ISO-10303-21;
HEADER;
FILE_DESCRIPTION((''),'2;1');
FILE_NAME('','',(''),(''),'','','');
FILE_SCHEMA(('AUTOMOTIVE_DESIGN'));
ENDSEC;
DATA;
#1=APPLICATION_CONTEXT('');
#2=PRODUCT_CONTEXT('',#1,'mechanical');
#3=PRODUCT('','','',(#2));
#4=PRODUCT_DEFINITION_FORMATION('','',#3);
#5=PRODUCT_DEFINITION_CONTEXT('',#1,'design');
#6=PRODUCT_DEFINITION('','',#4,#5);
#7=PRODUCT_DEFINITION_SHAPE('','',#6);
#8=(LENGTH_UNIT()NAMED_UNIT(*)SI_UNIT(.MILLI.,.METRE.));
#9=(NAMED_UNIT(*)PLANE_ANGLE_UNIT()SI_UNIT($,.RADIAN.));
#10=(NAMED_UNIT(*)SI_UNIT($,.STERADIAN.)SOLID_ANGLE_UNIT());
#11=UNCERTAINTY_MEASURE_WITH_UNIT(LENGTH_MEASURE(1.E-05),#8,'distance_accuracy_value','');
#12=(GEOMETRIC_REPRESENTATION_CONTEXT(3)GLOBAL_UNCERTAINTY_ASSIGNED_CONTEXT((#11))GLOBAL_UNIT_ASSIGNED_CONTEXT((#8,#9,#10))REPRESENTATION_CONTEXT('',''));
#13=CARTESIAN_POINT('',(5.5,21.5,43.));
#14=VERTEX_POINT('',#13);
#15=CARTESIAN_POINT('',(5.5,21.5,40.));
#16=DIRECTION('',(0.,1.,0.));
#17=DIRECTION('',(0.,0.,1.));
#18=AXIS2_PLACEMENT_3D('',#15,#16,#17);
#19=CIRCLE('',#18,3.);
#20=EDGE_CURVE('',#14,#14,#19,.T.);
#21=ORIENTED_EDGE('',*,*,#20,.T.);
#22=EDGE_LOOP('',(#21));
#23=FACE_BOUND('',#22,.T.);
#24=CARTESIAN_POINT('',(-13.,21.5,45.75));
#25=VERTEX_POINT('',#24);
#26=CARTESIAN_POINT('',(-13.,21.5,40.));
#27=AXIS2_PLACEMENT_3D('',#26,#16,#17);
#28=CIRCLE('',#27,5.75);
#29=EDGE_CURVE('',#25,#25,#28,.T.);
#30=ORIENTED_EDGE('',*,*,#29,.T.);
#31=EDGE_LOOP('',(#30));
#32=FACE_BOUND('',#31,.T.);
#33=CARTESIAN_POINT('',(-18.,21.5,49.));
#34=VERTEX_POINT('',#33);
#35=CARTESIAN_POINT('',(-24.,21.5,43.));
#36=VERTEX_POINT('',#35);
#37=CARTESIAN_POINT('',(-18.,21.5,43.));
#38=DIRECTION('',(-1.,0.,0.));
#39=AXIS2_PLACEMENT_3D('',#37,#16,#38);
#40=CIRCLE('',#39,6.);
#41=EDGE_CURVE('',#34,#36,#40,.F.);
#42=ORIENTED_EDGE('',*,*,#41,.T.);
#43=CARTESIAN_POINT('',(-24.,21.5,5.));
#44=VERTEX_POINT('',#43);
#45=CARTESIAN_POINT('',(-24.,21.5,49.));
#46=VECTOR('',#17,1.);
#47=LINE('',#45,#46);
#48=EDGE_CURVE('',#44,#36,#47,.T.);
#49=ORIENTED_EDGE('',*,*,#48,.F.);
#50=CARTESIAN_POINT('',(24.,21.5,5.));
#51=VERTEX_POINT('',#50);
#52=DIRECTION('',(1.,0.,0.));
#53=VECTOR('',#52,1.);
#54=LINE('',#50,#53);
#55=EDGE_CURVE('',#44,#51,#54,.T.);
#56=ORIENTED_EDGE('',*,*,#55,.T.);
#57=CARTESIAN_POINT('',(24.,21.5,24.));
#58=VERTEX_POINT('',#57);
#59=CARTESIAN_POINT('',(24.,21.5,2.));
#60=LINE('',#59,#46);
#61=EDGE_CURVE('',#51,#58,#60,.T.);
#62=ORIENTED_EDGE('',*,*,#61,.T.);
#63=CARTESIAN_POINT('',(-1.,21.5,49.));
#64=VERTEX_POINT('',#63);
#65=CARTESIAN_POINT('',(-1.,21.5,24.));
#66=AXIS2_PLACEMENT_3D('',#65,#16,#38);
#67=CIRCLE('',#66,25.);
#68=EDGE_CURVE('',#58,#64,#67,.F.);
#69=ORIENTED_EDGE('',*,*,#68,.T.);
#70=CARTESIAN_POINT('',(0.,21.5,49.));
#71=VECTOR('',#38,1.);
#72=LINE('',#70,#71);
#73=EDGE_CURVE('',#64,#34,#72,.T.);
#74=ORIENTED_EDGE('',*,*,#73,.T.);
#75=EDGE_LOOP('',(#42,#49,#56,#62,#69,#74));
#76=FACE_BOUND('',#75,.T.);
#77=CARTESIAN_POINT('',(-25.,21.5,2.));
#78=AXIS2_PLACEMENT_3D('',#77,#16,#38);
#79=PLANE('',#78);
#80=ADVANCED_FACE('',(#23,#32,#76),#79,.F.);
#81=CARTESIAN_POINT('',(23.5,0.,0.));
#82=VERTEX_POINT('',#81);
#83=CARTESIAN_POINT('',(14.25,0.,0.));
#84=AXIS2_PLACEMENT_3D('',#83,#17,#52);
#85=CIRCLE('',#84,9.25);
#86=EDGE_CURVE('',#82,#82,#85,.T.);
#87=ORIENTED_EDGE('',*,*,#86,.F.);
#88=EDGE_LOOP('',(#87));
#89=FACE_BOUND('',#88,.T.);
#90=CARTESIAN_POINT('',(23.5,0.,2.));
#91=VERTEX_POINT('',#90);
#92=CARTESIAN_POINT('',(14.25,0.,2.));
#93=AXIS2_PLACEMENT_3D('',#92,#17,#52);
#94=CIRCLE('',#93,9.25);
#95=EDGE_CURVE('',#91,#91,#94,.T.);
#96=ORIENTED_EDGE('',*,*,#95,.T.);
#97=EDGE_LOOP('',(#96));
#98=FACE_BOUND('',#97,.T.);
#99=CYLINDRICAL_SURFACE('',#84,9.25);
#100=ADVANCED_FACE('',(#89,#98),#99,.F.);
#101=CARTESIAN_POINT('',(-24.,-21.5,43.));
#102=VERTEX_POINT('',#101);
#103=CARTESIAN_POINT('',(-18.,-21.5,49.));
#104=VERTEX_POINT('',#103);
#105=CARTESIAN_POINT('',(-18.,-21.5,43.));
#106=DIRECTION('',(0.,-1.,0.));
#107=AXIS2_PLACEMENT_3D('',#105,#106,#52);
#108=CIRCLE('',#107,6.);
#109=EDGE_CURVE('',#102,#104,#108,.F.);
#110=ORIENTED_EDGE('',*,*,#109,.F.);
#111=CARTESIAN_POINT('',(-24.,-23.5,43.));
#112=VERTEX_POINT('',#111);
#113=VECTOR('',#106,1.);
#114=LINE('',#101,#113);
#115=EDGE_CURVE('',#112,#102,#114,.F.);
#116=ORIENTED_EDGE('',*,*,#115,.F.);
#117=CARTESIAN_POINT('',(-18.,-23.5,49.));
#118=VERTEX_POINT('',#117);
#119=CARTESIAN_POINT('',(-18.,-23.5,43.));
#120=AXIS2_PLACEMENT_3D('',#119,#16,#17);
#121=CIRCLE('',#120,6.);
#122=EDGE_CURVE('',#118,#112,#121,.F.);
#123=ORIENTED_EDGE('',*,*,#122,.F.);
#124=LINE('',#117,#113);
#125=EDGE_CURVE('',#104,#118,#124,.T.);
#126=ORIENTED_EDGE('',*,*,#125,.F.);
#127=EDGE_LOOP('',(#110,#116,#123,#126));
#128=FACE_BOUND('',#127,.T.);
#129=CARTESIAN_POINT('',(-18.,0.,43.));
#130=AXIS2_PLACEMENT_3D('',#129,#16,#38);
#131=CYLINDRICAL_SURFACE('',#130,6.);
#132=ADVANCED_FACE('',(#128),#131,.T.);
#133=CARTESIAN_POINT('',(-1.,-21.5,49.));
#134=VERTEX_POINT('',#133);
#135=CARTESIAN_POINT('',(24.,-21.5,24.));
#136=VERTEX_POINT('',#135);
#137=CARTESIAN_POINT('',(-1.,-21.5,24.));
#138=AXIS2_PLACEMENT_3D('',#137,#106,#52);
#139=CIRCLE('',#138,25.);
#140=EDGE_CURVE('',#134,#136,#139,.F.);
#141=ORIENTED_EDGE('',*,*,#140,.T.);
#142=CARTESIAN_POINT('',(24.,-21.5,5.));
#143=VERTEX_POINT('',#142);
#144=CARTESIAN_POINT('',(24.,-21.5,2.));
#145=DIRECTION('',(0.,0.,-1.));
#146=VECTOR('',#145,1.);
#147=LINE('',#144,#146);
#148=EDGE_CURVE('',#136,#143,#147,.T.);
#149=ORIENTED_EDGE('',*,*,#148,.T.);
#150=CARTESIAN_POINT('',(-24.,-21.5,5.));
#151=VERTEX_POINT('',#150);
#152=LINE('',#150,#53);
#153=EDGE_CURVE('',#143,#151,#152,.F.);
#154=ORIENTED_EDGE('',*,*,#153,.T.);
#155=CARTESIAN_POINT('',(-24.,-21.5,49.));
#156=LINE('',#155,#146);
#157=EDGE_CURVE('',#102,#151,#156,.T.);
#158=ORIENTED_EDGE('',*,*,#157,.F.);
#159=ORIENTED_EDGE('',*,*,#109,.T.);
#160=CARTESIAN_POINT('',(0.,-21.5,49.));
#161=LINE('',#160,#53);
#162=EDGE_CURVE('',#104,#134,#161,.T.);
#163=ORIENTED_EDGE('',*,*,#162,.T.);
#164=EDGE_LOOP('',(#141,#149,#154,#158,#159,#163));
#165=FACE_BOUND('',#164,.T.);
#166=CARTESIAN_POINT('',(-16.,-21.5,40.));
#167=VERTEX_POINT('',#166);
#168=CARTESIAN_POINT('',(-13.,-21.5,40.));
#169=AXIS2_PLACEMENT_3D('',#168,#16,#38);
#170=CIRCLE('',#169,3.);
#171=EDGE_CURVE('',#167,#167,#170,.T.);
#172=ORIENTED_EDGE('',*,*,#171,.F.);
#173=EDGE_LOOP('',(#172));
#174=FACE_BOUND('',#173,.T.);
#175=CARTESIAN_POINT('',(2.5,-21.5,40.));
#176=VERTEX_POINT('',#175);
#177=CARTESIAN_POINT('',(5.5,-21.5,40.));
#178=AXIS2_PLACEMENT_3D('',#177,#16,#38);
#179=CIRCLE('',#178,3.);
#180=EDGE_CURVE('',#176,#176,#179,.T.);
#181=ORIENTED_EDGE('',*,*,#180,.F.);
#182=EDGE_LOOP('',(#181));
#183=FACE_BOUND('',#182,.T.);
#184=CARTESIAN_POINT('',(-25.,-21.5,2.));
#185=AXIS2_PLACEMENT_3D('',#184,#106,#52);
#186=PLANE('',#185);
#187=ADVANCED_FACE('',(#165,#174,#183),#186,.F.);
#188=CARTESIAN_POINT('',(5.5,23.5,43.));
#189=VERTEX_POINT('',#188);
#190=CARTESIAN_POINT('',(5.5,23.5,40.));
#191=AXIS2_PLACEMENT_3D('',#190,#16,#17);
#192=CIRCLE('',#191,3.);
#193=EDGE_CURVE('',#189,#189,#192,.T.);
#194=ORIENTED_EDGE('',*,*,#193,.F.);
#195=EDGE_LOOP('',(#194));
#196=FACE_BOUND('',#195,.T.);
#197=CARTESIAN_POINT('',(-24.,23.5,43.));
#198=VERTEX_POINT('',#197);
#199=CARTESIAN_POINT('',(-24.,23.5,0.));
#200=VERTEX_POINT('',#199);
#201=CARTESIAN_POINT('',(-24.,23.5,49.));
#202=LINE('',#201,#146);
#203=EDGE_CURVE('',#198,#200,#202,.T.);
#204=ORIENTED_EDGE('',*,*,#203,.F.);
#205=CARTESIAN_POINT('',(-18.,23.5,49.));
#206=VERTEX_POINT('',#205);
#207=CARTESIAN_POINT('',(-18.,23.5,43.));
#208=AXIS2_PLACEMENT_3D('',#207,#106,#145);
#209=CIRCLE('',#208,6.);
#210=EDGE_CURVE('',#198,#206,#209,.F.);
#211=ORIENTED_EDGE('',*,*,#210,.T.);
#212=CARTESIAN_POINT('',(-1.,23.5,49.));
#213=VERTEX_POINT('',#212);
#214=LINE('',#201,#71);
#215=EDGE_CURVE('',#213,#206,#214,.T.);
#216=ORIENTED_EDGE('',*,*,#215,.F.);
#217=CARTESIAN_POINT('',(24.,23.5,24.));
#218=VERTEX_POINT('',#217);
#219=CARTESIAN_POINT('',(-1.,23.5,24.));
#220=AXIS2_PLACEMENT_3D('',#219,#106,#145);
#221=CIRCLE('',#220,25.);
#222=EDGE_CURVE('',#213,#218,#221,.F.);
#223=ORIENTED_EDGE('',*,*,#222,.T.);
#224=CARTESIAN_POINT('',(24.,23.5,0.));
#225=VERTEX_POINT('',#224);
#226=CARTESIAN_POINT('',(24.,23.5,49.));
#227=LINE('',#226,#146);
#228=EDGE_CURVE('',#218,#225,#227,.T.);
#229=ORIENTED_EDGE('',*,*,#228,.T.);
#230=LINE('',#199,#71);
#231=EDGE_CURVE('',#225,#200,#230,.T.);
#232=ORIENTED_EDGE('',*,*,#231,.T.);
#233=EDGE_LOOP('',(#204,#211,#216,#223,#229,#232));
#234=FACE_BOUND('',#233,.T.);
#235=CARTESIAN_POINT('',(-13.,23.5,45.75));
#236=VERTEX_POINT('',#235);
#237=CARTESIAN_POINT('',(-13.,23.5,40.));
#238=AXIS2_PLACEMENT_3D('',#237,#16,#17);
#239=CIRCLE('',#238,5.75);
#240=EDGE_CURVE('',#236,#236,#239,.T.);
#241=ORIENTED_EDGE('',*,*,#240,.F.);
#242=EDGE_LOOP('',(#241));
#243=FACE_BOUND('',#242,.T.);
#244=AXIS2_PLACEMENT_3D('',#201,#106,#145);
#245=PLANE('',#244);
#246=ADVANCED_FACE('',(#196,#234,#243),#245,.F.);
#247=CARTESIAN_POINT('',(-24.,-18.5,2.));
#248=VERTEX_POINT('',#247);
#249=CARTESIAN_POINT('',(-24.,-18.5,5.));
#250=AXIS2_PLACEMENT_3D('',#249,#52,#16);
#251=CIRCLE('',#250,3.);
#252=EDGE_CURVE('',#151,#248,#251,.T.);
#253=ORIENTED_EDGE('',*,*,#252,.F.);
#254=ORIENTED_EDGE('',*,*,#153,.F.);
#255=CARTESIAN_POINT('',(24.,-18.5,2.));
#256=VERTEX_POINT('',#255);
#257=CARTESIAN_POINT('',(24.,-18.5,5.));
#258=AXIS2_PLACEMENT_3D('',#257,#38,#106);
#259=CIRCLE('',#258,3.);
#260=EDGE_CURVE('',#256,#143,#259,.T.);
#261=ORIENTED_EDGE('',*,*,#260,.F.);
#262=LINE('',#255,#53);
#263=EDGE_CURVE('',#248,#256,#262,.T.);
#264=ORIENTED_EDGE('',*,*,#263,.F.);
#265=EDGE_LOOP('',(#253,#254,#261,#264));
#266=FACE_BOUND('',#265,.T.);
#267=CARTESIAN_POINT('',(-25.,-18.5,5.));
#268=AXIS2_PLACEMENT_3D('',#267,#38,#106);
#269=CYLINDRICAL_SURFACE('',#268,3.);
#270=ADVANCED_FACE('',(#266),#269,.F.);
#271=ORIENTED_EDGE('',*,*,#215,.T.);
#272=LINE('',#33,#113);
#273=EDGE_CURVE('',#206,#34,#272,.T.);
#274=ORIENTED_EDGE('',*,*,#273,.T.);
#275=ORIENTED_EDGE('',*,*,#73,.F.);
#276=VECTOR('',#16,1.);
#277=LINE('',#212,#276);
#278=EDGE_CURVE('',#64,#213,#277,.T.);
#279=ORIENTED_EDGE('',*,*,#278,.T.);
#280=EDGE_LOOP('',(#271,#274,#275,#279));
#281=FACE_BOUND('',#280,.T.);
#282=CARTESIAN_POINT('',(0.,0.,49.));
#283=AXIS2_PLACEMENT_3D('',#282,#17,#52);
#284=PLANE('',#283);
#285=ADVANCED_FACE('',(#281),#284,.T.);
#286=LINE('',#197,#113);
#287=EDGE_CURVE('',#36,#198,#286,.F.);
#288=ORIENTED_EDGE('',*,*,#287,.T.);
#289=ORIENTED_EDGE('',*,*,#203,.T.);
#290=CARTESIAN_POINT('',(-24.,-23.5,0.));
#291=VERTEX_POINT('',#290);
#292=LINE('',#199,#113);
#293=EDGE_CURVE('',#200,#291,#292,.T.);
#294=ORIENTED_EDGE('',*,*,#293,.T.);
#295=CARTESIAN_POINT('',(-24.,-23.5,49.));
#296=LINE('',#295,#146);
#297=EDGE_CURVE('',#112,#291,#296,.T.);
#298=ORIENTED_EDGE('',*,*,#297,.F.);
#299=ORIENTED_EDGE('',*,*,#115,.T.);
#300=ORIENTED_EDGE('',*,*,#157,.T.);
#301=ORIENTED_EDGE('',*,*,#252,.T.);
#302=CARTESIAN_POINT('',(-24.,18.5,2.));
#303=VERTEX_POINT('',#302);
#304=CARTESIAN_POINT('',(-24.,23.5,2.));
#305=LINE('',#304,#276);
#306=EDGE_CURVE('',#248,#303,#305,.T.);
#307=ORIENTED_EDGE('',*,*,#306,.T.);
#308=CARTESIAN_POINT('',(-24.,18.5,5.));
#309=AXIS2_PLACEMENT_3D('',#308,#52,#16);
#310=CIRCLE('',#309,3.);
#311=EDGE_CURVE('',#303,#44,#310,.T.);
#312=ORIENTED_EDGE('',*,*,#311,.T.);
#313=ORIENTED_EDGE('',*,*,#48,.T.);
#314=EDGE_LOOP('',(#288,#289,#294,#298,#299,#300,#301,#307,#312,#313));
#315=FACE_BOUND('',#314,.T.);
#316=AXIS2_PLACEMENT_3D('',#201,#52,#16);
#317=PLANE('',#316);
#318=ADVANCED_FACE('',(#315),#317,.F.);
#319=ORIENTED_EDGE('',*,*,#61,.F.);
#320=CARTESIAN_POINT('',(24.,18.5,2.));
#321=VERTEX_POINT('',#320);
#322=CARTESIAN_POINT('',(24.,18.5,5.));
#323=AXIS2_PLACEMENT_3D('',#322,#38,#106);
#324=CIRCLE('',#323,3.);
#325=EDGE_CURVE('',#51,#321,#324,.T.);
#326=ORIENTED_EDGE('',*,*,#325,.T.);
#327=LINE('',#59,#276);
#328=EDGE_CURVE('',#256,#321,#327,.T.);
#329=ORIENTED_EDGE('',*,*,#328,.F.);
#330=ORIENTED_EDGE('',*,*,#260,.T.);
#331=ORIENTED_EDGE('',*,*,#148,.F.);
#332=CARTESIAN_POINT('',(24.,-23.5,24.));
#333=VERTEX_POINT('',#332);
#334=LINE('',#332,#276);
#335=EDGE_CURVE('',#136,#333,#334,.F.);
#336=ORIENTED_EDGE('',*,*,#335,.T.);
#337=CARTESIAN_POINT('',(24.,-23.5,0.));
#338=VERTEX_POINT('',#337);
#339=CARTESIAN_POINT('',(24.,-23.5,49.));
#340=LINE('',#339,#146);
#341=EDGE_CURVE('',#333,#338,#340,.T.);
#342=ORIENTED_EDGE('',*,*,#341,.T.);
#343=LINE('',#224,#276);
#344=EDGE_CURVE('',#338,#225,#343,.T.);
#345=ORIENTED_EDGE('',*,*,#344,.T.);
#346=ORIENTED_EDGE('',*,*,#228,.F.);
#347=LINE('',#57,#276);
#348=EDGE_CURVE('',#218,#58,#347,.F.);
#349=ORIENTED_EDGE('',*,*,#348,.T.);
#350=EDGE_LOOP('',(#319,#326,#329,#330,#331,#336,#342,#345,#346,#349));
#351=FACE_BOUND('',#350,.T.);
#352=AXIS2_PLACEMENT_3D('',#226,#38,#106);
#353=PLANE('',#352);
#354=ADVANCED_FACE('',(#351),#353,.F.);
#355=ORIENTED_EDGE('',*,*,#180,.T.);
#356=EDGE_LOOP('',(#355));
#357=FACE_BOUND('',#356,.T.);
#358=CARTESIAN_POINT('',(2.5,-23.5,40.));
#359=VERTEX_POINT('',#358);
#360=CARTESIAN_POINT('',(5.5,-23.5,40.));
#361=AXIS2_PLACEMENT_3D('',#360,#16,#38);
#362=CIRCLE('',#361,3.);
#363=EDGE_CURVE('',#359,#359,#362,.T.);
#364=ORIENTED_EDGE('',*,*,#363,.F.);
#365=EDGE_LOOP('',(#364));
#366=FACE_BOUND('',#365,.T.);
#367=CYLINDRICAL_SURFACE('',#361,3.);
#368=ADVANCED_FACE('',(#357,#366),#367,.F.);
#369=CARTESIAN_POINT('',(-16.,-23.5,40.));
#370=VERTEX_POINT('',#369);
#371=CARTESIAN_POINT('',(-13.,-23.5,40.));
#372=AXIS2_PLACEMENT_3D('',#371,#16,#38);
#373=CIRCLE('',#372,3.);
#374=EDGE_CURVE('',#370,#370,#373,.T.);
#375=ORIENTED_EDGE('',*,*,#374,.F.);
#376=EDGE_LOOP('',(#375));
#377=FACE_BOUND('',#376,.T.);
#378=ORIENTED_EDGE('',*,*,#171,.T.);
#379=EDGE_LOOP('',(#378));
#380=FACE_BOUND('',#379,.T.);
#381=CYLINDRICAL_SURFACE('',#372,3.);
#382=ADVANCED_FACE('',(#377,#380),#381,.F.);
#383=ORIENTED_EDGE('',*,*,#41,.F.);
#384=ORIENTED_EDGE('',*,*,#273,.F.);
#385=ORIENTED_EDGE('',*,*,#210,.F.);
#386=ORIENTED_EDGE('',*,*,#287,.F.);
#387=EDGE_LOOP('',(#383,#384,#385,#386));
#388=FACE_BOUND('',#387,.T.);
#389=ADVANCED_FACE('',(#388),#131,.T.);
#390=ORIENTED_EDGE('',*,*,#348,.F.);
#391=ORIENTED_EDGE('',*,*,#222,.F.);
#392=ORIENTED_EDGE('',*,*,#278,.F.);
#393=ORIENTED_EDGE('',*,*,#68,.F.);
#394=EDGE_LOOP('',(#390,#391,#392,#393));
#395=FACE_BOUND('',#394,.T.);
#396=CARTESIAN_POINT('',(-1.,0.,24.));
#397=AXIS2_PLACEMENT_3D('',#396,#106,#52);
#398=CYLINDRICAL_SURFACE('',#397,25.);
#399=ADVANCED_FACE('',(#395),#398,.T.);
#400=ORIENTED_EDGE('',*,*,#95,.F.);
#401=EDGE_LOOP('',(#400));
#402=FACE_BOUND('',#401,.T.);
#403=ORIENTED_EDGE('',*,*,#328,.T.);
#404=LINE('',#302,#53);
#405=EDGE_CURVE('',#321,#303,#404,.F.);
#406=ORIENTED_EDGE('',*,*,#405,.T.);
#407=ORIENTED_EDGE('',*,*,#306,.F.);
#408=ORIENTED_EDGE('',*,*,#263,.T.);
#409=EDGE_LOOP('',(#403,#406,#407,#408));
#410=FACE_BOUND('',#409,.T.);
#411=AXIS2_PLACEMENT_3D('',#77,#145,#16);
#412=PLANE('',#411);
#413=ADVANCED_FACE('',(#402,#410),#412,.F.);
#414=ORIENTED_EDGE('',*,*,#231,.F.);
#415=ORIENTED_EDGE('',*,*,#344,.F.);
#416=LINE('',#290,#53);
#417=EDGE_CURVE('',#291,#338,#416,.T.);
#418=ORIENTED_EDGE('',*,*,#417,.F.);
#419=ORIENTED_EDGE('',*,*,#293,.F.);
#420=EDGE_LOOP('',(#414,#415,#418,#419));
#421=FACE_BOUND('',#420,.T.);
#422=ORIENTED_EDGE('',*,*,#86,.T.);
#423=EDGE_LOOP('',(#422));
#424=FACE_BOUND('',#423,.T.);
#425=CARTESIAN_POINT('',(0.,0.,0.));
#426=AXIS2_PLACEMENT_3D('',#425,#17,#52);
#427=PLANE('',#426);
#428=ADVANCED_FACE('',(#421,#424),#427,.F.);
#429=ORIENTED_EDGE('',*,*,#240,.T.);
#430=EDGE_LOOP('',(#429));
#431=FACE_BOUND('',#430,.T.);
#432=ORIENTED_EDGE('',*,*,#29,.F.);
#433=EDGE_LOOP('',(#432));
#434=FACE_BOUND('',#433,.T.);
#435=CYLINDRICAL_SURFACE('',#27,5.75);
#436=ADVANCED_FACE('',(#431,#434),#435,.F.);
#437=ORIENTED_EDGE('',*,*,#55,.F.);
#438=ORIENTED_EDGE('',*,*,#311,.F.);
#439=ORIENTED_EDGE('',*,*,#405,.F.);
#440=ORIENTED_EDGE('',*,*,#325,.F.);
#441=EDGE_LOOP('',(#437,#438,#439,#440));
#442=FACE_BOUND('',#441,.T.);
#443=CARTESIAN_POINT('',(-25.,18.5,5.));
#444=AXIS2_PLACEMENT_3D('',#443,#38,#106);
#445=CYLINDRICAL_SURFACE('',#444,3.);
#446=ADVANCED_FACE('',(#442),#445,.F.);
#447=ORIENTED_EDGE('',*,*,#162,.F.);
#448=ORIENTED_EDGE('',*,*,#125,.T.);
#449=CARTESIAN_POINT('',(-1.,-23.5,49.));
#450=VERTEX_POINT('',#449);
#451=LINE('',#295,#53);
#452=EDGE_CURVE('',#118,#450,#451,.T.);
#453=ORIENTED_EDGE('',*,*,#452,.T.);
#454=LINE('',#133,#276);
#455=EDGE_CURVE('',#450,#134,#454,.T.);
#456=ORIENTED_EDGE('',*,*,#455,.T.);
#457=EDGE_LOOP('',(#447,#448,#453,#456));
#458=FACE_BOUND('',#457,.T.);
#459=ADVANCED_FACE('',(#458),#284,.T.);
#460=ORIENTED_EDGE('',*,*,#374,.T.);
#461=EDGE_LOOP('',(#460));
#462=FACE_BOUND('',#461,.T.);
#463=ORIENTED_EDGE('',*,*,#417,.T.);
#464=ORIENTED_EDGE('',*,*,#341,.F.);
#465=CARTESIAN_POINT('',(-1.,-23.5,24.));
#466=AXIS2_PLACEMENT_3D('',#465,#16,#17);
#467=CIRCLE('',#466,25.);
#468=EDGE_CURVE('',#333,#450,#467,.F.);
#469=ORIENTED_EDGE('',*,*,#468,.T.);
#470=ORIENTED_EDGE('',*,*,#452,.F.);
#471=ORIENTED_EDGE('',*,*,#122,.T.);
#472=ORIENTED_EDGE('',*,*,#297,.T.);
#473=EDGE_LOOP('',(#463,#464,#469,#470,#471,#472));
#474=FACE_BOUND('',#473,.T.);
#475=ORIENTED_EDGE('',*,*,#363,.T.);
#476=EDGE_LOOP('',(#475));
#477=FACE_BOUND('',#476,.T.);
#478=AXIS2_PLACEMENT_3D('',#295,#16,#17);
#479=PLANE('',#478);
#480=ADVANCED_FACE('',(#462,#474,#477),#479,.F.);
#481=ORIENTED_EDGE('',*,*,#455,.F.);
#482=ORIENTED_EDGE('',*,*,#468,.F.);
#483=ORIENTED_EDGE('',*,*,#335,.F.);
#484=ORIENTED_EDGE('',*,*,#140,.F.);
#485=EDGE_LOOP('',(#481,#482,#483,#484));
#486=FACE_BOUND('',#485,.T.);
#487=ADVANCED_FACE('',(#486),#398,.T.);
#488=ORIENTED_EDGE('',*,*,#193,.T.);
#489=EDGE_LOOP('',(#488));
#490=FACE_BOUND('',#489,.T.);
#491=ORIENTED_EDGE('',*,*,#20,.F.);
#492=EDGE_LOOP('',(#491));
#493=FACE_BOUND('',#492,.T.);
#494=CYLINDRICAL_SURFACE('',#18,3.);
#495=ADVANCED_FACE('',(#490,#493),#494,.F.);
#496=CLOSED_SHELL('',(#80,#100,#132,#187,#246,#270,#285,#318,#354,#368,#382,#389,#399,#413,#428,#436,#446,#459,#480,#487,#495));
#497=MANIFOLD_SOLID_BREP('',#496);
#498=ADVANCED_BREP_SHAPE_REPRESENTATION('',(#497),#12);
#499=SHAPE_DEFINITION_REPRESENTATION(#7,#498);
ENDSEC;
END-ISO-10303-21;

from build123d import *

# Parameters (mm, degrees)
SKETCH1_W           = 48
SKETCH1_H           = 47
BOSS_EXTRUDE1_DEPTH = 49
SKETCH3_W           = 50
SKETCH3_H           = 43
CUT_EXTRUDE1_DEPTH  = 49
SKETCH4_R           = 9.25
CUT_EXTRUDE2_DEPTH  = 2
SKETCH5_R           = 5.75
SKETCH5_R_2         = 3
CUT_EXTRUDE3_DEPTH  = 2
SKETCH7_R           = 3
CUT_EXTRUDE4_DEPTH  = 2
FILLET1_R           = 25
FILLET2_R           = 6
FILLET3_R           = 3


with BuildPart() as part:
    # Sketch1 → Boss-Extrude1 (new body)
    with BuildSketch(Plane.XY):
        Rectangle(SKETCH1_W, SKETCH1_H)
    extrude(amount=BOSS_EXTRUDE1_DEPTH)

    # Sketch3 → Cut-Extrude1 (cut)
    with BuildSketch(Plane(origin=(24, 0, 0), x_dir=(0, 0, -1), z_dir=(1, 0, 0))):
        with Locations((-27, 0)):
            Rectangle(SKETCH3_W, SKETCH3_H)
    extrude(amount=-CUT_EXTRUDE1_DEPTH, mode=Mode.SUBTRACT)

    # Sketch4 → Cut-Extrude2 (cut)
    with BuildSketch(Plane.XY.offset(2)):
        with Locations((14.25, 0)):
            Circle(SKETCH4_R)
    extrude(amount=-CUT_EXTRUDE2_DEPTH, mode=Mode.SUBTRACT)

    # Sketch5 → Cut-Extrude3 (cut)
    with BuildSketch(Plane(origin=(0, 23.5, 0), x_dir=(1, 0, 0), z_dir=(0, 1, 0))):
        with Locations((-13, -40)):
            Circle(SKETCH5_R)
        with Locations((5.5, -40)):
            Circle(SKETCH5_R_2)
    extrude(amount=-CUT_EXTRUDE3_DEPTH, mode=Mode.SUBTRACT)

    # Sketch7 → Cut-Extrude4 (cut)
    with BuildSketch(Plane(origin=(0, -21.5, 0), x_dir=(1, 0, 0), z_dir=(0, 1, 0))):
        with Locations((5.5, -40)):
            Circle(SKETCH7_R)
        with Locations((-13, -40)):
            Circle(SKETCH7_R)
    extrude(amount=-CUT_EXTRUDE4_DEPTH, mode=Mode.SUBTRACT)

    # Fillet1
    fillet1_edges = [part.edges().sort_by_distance(p)[0] for p in [
        (24, 22.5, 49),
        (24, -22.5, 49),
    ]]
    fillet(fillet1_edges, radius=FILLET1_R)

    # Fillet2
    fillet2_edges = [part.edges().sort_by_distance(p)[0] for p in [
        (-24, 22.5, 49),
        (-24, -22.5, 49),
    ]]
    fillet(fillet2_edges, radius=FILLET2_R)

    # Fillet3
    fillet3_edges = [part.edges().sort_by_distance(p)[0] for p in [
        (0, 21.5, 2),
        (0, -21.5, 2),
    ]]
    fillet(fillet3_edges, radius=FILLET3_R)


solid = part.part
